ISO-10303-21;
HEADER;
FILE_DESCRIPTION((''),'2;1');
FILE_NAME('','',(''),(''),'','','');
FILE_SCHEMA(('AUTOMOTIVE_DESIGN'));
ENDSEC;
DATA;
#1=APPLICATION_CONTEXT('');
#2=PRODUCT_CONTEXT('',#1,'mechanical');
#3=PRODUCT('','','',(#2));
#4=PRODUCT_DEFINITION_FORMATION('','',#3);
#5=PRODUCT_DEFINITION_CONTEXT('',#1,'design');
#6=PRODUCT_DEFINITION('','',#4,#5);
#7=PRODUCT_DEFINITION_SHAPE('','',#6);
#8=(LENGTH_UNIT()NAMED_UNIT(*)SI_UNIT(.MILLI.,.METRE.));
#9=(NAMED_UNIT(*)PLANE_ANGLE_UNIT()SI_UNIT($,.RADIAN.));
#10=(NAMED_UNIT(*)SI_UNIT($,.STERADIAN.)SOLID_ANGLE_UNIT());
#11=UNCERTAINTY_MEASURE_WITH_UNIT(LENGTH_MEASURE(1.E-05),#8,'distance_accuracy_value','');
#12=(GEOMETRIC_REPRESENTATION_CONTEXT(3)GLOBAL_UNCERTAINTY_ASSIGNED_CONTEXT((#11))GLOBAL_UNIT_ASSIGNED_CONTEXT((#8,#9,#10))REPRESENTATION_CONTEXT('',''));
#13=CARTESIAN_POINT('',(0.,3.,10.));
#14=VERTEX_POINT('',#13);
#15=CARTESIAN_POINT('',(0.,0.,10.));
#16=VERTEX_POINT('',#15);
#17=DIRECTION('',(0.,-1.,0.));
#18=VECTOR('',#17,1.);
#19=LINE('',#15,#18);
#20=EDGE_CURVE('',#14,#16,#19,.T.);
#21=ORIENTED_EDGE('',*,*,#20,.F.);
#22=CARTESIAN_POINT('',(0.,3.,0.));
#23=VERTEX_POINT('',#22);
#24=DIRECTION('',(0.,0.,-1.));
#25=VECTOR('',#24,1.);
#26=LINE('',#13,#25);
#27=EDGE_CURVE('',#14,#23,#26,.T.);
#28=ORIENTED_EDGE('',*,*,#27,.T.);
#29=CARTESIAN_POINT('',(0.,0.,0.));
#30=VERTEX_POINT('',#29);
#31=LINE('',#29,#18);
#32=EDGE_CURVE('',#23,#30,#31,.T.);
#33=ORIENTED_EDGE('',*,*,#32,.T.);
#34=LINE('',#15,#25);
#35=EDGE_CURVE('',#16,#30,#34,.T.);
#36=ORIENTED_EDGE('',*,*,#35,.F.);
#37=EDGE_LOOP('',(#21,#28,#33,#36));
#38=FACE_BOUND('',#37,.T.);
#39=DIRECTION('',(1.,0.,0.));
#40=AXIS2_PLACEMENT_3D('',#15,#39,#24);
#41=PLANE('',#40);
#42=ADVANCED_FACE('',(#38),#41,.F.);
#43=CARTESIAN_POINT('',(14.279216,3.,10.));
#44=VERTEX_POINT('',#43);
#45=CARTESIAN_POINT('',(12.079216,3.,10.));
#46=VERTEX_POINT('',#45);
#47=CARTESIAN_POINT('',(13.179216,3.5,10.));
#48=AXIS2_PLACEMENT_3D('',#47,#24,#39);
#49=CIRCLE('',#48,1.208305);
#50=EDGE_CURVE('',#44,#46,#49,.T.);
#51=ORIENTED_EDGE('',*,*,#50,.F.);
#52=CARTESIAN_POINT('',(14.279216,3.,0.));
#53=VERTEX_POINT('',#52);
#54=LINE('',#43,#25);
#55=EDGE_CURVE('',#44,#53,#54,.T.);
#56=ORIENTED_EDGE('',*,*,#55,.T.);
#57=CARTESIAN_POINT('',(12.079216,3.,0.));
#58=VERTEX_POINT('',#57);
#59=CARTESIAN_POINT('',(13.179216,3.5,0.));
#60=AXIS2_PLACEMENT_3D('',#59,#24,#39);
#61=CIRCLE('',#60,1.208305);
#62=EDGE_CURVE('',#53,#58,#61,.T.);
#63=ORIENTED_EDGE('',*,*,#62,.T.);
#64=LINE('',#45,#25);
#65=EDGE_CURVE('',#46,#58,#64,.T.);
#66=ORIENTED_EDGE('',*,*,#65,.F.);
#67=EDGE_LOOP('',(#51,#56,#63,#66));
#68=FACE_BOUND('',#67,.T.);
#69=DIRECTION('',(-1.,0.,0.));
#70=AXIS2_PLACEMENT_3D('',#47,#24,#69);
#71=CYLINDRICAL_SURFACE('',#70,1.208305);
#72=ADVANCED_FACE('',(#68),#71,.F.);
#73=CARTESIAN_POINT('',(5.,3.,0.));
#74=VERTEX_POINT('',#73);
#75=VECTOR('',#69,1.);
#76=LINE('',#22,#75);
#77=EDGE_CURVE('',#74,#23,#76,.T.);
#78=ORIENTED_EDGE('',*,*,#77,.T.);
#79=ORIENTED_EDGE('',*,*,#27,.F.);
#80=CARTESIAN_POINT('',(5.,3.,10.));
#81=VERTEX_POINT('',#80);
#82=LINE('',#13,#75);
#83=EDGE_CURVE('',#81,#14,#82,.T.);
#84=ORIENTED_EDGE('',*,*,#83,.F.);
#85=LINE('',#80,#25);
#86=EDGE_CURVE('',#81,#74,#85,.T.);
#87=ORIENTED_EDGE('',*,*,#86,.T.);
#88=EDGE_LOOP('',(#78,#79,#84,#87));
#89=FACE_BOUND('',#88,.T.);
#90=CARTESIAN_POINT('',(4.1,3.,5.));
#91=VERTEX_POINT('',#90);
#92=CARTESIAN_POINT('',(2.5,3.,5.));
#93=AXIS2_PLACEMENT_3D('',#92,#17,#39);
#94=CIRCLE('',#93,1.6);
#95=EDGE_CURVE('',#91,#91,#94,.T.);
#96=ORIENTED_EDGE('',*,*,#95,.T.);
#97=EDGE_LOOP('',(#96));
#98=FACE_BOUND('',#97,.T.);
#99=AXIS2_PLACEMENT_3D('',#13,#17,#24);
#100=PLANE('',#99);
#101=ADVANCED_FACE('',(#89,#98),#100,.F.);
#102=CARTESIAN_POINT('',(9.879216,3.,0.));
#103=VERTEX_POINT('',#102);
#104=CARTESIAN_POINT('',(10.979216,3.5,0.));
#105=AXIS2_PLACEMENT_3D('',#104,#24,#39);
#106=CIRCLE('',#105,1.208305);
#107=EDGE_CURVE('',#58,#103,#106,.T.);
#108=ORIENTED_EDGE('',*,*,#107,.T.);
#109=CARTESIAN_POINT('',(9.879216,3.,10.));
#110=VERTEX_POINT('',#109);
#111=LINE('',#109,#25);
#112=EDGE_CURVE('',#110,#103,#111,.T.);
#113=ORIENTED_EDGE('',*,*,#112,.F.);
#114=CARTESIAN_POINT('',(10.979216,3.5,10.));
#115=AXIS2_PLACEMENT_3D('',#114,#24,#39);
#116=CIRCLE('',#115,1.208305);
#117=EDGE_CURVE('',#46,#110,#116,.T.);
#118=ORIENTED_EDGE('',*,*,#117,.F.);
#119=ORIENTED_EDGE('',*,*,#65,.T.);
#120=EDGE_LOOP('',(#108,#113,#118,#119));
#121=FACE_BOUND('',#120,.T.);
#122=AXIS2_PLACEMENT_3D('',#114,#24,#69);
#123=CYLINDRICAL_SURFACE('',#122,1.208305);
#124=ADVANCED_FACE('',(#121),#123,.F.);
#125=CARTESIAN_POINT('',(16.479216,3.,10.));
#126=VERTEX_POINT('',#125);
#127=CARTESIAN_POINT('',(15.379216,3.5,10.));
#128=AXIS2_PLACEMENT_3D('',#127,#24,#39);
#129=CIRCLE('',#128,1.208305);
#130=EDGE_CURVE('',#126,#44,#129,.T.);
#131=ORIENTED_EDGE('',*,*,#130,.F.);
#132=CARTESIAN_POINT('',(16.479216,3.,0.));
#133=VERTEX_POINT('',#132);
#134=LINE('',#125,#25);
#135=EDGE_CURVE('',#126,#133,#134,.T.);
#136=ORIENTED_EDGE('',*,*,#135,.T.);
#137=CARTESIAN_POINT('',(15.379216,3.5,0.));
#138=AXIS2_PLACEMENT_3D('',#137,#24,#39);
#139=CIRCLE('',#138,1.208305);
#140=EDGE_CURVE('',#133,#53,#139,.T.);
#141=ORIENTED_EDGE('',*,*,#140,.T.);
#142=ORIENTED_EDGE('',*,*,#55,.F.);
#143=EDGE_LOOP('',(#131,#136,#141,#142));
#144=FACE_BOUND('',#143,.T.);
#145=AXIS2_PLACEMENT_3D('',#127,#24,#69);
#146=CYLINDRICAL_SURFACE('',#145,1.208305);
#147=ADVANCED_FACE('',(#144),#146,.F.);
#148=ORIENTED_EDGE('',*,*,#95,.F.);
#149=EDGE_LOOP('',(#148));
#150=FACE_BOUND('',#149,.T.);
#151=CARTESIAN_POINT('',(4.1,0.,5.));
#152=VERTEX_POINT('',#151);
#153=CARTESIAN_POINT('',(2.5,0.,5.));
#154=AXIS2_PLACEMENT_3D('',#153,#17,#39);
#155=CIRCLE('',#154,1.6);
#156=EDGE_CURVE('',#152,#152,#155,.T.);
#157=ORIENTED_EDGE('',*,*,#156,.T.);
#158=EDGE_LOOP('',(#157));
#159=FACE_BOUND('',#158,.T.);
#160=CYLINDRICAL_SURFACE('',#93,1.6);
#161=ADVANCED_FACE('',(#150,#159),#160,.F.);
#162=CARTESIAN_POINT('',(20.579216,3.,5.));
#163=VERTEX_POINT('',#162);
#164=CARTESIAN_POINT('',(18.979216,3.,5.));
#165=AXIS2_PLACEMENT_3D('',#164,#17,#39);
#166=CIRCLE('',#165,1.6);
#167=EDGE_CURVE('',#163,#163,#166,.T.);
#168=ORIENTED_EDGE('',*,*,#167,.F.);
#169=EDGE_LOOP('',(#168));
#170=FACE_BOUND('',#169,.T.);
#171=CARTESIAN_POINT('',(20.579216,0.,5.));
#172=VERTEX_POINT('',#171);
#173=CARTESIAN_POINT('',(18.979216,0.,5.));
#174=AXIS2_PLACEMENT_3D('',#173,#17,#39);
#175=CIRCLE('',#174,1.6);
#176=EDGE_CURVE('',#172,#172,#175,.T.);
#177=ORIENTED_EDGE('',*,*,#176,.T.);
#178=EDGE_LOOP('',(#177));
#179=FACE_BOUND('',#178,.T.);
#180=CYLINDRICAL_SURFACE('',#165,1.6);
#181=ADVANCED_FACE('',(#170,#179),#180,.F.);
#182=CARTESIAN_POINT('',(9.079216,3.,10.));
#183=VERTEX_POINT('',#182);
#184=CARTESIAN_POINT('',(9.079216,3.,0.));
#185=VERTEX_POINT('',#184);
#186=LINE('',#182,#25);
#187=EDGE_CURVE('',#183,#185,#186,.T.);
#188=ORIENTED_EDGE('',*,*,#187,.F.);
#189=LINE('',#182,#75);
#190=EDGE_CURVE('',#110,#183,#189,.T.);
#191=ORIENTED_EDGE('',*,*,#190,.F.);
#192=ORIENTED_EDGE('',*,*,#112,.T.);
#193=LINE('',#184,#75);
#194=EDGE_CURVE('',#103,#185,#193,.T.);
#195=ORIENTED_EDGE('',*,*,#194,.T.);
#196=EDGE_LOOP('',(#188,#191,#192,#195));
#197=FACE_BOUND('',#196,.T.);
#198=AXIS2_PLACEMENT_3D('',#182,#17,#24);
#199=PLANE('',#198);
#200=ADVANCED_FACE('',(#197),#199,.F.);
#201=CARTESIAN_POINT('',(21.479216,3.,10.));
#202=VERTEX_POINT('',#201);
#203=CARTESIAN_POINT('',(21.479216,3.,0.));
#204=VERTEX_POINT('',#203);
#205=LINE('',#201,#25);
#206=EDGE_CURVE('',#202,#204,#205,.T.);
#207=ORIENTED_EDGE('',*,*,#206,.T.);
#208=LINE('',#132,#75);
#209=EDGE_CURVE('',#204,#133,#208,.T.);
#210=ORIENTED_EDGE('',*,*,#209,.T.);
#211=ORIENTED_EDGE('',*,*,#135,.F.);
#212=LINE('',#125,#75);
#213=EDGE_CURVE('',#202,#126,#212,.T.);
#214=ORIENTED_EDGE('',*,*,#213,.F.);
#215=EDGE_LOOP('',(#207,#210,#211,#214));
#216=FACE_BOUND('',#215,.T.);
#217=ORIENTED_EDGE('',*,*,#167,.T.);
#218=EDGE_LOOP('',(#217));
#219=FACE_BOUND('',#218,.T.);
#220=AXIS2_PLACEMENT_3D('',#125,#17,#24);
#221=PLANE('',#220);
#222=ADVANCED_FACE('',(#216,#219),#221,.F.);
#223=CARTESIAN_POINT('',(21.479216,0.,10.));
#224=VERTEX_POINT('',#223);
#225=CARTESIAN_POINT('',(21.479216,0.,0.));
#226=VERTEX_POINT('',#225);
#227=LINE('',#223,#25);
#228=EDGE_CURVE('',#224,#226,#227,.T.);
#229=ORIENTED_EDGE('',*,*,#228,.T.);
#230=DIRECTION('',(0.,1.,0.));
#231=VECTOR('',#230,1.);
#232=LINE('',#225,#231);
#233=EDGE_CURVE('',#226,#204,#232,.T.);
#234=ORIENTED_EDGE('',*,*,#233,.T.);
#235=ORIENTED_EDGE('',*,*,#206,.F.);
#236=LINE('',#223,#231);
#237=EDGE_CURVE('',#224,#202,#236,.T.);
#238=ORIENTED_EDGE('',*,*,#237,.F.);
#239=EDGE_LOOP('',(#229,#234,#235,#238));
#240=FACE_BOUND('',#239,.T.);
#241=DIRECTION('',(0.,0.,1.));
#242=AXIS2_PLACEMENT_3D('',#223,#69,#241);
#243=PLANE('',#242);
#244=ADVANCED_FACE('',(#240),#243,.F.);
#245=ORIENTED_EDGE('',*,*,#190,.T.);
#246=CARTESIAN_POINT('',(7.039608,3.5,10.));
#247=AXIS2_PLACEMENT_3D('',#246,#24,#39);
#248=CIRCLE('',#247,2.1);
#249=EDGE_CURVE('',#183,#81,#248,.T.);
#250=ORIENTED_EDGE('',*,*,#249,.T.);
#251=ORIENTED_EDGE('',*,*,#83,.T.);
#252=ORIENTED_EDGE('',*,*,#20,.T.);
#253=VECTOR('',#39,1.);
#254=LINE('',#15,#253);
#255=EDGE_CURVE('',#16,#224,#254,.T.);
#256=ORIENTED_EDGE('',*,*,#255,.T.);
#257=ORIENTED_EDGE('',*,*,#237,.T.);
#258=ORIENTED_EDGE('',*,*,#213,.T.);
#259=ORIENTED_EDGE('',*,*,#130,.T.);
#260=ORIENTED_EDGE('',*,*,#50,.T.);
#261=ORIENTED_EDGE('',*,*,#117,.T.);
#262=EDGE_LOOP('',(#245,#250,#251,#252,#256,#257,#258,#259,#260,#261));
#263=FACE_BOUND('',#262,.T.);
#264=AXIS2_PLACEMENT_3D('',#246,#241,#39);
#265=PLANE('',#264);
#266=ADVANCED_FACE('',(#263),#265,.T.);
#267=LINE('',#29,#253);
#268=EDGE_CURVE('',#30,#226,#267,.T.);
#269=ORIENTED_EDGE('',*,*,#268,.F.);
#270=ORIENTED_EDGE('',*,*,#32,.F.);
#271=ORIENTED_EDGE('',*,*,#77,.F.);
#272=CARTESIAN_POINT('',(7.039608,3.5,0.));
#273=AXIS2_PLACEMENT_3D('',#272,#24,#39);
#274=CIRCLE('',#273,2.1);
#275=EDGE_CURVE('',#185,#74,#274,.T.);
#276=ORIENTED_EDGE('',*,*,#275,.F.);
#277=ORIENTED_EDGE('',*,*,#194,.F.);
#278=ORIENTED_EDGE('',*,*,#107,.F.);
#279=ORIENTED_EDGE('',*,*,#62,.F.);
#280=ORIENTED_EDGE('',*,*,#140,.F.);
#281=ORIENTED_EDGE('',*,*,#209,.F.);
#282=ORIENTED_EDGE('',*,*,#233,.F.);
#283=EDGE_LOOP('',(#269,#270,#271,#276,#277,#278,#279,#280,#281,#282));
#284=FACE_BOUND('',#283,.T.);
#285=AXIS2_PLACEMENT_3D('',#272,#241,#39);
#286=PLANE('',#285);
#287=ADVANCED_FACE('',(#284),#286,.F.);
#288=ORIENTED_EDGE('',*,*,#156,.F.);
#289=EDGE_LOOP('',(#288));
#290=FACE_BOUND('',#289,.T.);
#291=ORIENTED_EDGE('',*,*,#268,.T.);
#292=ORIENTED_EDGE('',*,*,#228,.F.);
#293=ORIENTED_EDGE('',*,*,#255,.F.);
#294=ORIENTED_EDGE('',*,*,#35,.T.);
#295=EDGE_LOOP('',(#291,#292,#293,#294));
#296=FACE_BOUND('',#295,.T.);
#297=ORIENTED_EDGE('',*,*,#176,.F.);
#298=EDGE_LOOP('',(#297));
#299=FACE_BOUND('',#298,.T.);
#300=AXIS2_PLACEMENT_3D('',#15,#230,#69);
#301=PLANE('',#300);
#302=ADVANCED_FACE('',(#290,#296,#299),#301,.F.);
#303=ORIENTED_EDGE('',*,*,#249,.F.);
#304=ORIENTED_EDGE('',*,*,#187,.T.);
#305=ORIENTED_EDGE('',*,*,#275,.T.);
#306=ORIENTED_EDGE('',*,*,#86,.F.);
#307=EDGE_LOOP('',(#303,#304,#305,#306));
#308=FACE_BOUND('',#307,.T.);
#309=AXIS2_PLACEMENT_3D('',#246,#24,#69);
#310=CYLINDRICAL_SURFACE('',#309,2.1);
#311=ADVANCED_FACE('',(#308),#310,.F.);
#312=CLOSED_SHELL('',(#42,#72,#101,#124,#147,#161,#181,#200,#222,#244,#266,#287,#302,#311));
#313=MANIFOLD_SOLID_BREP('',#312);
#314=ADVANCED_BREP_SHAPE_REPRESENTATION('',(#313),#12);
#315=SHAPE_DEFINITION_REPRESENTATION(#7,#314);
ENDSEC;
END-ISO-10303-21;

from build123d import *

# Parameters (mm, degrees)
BOSS_EXTRUDE1_DEPTH = 10
SKETCH2_R           = 1.6
CUT_EXTRUDE1_DEPTH  = 24.882141932


with BuildPart() as part:
    # Sketch1 → Boss-Extrude1 (new body)
    with BuildSketch(Plane.XY):
        with BuildLine():
            Line((0, 0), (21.479215611, 0))
            Line((21.479215611, 0), (21.479215611, 3))
            Line((21.479215611, 3), (16.479215611, 3))
            ThreePointArc((16.479215611, 3), (15.379215611, 2.291695403), (14.279215611, 3))
            ThreePointArc((14.279215611, 3), (13.179215611, 2.291695403), (12.079215611, 3))
            ThreePointArc((12.079215611, 3), (10.979215611, 2.291695403), (9.879215611, 3))
            Line((9.879215611, 3), (9.079215611, 3))
            ThreePointArc((9.079215611, 3), (7.039607805, 1.4), (5, 3))
            Line((5, 3), (0, 3))
            Line((0, 3), (0, 0))
        make_face()
    extrude(amount=BOSS_EXTRUDE1_DEPTH)

    # Sketch2 → Cut-Extrude1 (cut, through all)
    with BuildSketch(Plane.XZ):
        with Locations((2.5, 5)):
            Circle(SKETCH2_R)
        with Locations((18.979215611, 5)):
            Circle(SKETCH2_R)
    extrude(amount=-CUT_EXTRUDE1_DEPTH, mode=Mode.SUBTRACT)


solid = part.part
